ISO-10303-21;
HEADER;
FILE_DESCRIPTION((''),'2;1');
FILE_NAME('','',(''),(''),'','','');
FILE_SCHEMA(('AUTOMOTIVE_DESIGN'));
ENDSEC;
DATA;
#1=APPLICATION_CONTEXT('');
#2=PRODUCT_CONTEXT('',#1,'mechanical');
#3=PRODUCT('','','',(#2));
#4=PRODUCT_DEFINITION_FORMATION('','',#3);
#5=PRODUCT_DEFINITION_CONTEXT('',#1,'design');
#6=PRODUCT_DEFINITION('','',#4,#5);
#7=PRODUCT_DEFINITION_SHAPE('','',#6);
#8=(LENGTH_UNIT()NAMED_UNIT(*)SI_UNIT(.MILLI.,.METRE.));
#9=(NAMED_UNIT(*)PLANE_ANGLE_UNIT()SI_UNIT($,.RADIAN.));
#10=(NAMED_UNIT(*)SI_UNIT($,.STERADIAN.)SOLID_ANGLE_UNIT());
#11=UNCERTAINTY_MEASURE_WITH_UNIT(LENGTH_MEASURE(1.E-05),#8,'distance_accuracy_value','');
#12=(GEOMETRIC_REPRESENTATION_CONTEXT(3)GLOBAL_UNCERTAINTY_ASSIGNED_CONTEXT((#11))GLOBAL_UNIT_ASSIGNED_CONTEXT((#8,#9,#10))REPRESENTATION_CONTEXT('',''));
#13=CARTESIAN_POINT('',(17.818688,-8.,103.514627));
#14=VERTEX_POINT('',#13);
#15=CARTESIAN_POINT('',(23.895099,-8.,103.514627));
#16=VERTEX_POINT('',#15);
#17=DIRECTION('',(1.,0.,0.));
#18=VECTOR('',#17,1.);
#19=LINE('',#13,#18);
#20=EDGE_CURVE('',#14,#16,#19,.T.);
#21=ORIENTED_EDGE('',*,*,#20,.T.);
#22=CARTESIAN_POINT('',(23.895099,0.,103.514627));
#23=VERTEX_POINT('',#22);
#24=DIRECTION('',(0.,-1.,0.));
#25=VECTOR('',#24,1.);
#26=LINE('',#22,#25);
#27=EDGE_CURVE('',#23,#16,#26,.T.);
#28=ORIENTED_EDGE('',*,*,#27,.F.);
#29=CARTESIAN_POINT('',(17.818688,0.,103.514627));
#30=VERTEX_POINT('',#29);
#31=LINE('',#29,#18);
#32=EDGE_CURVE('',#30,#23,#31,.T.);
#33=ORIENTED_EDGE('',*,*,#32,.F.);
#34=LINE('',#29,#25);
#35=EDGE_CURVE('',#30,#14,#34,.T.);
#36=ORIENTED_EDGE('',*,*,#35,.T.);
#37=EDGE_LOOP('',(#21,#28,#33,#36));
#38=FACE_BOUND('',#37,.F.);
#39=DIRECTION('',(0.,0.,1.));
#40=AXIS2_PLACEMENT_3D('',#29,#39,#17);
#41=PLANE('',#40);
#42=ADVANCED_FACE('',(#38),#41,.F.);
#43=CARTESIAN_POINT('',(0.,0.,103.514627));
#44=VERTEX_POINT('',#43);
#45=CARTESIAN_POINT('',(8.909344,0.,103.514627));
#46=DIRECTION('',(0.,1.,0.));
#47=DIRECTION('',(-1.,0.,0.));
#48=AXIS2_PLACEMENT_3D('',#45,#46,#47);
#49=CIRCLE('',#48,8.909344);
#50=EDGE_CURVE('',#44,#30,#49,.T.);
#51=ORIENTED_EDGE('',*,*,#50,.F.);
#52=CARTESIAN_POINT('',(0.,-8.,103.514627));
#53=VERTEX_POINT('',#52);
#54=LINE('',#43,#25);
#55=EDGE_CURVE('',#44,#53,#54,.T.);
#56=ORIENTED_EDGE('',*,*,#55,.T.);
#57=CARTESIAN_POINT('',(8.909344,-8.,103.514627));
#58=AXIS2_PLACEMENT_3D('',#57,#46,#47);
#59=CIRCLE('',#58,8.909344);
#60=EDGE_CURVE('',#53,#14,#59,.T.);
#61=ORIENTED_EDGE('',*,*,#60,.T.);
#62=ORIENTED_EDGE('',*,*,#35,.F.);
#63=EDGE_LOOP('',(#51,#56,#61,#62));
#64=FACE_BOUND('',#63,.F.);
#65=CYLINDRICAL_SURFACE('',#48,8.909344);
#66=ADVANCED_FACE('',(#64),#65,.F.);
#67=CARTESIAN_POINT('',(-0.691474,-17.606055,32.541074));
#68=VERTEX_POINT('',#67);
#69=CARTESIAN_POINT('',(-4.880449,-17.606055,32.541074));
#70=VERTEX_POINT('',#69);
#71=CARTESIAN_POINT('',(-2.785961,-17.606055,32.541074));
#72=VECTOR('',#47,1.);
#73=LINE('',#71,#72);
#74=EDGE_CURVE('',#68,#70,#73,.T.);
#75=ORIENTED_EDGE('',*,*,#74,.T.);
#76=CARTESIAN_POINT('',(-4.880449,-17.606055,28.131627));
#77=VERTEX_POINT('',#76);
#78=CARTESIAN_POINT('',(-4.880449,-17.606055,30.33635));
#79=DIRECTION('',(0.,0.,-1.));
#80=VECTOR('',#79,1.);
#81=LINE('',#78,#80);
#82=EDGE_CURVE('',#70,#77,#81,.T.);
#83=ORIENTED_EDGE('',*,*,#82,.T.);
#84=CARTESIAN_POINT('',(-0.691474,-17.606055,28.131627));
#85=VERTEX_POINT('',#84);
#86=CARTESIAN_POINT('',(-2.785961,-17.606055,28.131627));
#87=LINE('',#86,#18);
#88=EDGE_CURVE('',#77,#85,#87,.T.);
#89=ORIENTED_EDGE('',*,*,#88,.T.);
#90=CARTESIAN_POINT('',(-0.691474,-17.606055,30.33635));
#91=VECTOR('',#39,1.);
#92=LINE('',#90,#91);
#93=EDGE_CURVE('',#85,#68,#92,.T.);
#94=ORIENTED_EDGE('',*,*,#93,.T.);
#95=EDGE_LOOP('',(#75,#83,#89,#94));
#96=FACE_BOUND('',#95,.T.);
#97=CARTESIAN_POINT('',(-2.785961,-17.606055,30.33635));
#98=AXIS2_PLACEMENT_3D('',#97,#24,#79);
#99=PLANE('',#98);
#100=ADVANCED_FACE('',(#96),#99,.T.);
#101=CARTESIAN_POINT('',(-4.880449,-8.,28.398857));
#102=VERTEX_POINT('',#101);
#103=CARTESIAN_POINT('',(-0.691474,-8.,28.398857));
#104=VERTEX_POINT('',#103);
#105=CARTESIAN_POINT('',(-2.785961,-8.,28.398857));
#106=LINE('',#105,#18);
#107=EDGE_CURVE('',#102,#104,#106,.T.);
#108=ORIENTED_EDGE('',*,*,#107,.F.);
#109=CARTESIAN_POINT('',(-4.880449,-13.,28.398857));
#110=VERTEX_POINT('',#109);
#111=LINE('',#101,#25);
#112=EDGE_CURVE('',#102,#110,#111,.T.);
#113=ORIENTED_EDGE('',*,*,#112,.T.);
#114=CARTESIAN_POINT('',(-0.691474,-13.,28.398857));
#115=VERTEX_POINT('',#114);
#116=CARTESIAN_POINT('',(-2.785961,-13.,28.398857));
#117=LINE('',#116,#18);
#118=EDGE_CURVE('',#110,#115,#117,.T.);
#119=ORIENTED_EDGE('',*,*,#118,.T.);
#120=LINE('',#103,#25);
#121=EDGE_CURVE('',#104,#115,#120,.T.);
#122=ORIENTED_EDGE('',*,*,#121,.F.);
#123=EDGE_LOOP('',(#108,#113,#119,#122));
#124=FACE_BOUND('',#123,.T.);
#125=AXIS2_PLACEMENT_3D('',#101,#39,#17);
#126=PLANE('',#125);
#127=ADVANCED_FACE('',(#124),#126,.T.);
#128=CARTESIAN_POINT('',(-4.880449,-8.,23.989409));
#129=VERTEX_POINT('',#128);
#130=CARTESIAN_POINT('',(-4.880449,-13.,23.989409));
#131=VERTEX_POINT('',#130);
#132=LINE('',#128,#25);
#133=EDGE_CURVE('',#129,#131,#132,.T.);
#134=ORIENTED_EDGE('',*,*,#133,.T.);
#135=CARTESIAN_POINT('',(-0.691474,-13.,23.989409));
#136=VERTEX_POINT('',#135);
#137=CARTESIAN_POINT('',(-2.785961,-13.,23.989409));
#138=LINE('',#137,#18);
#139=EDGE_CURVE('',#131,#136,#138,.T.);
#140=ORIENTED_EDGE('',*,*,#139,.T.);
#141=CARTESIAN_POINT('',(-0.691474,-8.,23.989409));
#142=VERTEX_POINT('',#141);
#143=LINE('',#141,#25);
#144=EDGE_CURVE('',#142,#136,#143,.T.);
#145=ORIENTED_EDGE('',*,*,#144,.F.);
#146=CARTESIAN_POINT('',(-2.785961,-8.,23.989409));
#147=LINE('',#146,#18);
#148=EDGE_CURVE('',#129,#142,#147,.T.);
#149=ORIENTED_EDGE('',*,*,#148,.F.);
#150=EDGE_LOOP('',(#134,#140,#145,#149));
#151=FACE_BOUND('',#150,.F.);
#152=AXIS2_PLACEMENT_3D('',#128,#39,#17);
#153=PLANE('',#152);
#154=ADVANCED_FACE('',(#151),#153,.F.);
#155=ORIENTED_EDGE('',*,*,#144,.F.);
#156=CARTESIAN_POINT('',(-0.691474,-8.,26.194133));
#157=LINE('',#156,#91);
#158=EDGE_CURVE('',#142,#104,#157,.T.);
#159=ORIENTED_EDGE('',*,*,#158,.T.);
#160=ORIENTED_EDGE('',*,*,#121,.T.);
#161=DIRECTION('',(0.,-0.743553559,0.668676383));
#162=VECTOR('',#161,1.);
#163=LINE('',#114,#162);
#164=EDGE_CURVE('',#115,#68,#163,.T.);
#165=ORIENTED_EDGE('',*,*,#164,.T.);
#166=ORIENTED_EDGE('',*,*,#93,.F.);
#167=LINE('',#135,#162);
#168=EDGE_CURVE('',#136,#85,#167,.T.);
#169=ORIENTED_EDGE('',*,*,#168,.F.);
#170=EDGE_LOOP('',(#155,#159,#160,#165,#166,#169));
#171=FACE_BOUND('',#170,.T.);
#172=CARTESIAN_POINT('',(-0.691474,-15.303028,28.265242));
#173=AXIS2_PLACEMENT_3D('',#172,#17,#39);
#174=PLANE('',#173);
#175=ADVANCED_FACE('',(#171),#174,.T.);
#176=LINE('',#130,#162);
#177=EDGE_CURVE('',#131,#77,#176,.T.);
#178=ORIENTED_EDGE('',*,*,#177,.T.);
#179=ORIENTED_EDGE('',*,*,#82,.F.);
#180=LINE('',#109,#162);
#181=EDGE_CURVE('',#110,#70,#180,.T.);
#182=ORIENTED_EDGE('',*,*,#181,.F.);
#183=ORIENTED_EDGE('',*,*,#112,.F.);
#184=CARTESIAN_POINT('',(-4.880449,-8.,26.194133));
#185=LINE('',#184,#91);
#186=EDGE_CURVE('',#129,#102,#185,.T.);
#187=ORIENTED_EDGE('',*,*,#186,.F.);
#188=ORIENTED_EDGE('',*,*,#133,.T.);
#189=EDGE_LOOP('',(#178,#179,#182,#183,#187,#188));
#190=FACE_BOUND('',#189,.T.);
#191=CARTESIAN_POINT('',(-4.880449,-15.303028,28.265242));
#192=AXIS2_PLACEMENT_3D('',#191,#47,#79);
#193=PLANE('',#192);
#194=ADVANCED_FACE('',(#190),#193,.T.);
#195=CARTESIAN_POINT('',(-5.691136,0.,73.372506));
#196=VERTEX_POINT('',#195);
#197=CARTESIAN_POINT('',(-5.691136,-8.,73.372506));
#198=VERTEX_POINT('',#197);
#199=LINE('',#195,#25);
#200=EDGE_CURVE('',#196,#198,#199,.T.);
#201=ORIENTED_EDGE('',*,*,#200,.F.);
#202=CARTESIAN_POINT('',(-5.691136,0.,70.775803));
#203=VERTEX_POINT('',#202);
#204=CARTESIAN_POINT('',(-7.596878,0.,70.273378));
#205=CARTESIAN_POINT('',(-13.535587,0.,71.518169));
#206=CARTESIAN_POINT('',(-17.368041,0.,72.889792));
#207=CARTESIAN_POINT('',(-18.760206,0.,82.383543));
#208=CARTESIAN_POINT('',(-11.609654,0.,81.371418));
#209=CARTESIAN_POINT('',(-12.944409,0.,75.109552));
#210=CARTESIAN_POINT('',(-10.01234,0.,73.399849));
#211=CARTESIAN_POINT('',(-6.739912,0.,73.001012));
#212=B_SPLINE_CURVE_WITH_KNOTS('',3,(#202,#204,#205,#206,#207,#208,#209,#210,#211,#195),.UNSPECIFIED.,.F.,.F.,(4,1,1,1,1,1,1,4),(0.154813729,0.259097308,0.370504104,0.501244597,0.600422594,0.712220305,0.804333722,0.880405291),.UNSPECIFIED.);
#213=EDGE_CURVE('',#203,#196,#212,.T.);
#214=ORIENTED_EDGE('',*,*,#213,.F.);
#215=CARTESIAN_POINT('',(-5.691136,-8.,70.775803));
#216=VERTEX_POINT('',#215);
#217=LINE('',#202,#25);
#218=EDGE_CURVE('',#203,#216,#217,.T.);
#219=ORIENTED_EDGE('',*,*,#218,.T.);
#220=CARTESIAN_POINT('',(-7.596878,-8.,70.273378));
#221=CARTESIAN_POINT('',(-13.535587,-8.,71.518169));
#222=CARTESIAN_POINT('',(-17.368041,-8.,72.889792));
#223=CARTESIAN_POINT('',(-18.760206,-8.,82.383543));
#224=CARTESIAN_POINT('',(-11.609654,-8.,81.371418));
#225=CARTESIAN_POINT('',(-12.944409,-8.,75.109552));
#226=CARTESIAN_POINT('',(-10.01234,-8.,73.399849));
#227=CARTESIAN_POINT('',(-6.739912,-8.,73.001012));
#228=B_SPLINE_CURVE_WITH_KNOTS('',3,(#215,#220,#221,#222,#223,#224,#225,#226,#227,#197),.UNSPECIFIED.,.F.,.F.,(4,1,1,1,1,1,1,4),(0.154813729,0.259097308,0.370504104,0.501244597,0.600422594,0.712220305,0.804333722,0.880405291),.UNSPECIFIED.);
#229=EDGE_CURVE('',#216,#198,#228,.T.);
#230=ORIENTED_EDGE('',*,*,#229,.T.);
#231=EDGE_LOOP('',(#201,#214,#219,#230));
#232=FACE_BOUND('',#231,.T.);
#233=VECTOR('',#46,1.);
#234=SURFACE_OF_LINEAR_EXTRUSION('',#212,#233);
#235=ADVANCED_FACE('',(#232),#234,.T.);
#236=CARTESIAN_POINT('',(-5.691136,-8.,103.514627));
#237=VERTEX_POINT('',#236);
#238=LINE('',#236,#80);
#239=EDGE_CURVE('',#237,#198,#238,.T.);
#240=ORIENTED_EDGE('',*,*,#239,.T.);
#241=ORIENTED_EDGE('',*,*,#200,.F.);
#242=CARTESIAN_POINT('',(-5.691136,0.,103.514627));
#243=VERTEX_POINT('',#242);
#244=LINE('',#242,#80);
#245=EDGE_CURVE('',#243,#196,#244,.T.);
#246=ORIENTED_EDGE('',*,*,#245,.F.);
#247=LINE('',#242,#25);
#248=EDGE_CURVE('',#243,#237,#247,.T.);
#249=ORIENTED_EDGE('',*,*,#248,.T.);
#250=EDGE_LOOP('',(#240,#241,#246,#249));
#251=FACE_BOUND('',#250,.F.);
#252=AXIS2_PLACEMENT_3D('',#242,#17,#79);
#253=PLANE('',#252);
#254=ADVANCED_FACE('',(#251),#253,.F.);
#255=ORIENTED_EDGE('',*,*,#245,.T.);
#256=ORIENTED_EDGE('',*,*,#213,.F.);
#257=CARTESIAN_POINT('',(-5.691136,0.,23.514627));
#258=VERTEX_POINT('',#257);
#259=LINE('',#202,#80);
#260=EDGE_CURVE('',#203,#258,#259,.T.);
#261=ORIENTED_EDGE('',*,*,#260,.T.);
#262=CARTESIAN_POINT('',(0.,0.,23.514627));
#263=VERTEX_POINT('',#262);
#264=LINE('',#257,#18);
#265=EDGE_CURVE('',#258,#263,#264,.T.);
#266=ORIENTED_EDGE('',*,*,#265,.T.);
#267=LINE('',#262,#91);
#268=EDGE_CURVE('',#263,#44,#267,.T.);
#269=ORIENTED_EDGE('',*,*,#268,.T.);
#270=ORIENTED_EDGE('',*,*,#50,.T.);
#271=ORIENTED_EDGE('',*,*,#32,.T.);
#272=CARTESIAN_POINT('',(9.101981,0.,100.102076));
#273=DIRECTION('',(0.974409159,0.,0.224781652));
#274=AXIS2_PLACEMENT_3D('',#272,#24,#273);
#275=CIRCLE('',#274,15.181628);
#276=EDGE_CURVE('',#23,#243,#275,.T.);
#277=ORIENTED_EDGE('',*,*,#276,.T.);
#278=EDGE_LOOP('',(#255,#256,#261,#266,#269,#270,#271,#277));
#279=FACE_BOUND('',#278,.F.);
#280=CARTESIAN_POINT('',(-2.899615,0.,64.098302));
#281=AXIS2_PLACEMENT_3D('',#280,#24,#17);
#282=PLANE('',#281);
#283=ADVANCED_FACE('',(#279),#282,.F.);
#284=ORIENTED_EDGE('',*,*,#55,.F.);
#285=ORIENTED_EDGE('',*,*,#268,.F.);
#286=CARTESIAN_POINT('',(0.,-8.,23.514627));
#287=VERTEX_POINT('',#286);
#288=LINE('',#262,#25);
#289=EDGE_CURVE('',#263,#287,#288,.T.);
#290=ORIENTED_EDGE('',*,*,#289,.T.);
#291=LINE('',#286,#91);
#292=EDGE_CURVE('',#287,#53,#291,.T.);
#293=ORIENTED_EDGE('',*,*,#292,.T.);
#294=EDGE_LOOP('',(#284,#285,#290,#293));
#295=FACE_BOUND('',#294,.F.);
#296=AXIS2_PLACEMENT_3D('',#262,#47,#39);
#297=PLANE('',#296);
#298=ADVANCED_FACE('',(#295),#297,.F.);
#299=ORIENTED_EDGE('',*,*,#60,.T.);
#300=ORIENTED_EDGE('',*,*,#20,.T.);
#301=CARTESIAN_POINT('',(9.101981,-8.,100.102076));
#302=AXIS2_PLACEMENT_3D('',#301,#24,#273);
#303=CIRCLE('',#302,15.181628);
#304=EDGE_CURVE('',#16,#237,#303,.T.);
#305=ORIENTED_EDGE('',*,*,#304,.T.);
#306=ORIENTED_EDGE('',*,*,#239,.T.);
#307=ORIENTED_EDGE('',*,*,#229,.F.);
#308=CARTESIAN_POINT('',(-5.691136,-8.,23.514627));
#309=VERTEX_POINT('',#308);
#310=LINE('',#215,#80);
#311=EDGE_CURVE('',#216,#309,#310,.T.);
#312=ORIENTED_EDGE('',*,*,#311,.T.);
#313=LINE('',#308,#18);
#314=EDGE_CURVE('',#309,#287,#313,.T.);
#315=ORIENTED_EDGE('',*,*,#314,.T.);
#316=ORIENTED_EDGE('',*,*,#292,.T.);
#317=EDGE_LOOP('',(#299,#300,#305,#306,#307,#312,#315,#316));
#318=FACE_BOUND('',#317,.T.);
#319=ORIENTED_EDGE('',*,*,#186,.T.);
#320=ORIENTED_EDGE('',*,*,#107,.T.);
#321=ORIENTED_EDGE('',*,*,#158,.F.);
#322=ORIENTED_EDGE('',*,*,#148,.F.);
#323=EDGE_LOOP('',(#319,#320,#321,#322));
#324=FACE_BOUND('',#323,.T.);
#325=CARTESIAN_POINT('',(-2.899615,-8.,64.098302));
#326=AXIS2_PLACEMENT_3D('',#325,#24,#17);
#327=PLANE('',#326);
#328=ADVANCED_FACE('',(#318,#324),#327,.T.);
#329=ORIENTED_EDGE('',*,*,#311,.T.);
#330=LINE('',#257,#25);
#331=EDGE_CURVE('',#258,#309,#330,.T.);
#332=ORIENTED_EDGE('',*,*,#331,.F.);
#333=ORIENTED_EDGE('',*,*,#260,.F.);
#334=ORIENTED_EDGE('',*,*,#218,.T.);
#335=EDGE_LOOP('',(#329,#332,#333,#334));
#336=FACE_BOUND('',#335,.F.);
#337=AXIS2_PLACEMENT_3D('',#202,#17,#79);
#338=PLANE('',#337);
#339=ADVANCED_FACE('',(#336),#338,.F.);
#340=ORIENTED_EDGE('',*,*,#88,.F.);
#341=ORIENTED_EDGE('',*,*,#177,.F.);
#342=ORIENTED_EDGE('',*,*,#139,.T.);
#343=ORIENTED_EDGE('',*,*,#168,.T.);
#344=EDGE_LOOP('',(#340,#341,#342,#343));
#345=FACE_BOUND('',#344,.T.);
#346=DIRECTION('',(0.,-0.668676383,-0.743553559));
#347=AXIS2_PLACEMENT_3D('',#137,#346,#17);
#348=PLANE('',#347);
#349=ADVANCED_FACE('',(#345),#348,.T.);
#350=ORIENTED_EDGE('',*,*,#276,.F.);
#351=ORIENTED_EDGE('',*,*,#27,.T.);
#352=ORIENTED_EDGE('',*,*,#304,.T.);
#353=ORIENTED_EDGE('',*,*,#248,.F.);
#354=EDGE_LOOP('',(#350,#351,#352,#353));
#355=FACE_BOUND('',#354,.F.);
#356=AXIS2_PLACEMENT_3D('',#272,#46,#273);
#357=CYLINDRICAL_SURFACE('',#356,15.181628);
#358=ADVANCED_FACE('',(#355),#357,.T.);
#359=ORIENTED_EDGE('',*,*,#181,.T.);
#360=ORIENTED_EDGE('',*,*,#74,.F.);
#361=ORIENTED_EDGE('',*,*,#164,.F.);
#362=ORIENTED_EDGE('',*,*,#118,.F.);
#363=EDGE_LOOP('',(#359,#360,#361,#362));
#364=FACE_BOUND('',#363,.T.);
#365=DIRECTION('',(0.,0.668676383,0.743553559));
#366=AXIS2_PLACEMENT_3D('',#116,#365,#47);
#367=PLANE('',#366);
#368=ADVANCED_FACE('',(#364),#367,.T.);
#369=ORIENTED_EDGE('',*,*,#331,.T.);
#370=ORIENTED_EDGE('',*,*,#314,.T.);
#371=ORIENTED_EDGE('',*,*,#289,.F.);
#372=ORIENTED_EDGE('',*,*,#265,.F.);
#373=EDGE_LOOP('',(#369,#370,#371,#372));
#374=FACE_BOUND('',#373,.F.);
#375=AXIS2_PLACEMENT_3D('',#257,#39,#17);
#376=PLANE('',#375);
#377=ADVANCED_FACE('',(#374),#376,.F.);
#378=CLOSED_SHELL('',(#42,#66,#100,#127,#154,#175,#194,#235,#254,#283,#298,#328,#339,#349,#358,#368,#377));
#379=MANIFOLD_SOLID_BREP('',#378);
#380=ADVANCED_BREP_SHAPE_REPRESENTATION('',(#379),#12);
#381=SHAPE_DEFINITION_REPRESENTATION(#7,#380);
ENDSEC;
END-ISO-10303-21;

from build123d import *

# Parameters (mm, degrees)
F1_DEPTH = 8
F2_W     = 4.1889756103
F2_H     = 4.4094473124
F3_DEPTH = 5
F4_W     = 4.1889756103
F4_H     = 4.4094473124


with BuildPart() as f1:
    # F0 (on Front) → F1 (new body)
    with BuildSketch(Plane.XZ):
        with BuildLine():
            Line((-5.6911362045, 23.5146272514), (0, 23.5146272514))
            Line((0, 23.5146272514), (0, 103.5146272453))
            Line((0, 103.5146272453), (-5.6911362045, 103.5146272453))
            Line((-5.6911362045, 103.5146272453), (-5.6911362045, 73.3725061468))
            add(Edge.make_bspline(
                [(-5.6911362045, 73.3725061468), (-5.2400369665, 73.532293034), (-3.8829160463, 74.4895237189), (-4.3792185764, 77.2608984218), (-4.2464360595, 77.2318616509)],
                knots=[0.880405291, 0.880405291, 0.880405291, 0.880405291, 0.9131251645, 1, 1, 1, 1], degree=3))
            add(Edge.make_bspline(
                [(-4.2464360595, 77.2318616509), (-4.0717315525, 77.1936574141), (-2.6784869928, 72.353679993), (-4.9508164273, 70.9709791342), (-5.6911362045, 70.7758031209)],
                knots=[0, 0, 0, 0, 0.1143028891, 0.154813729, 0.154813729, 0.154813729, 0.154813729], degree=3))
            Line((-5.6911362045, 70.7758031209), (-5.6911362045, 23.5146272514))
        make_face()
        with BuildLine():
            Line((-5.6911362045, 103.5146272453), (0, 103.5146272453))
            ThreePointArc((0, 103.5146272453), (8.9093442206, 112.4239714658), (17.8186884412, 103.5146272453))
            Line((17.8186884412, 103.5146272453), (23.8950991203, 103.5146272453))
            ThreePointArc((23.8950991203, 103.5146272453), (9.1019814579, 115.2837040508), (-5.6911362045, 103.5146272453))
        make_face()
        with BuildLine():
            add(Edge.make_bspline(
                [(-5.6911362045, 70.7758031209), (-7.5968778877, 70.2733782562), (-13.535587282, 71.518168692), (-17.3680406013, 72.8897919436), (-18.7602062493, 82.3835434596), (-11.6096535592, 81.3714184658), (-12.944409148, 75.1095515572), (-10.012339693, 73.3998487887), (-6.7399124807, 73.0010120667), (-5.6911362045, 73.3725061468)],
                knots=[0.154813729, 0.154813729, 0.154813729, 0.154813729, 0.2590973082, 0.3705041035, 0.5012445974, 0.600422594, 0.7122203053, 0.8043337215, 0.880405291, 0.880405291, 0.880405291, 0.880405291], degree=3))
            add(Edge.make_bspline(
                [(-4.2464360595, 77.2318616509), (-4.0717315525, 77.1936574141), (-2.6784869928, 72.353679993), (-4.9508164273, 70.9709791342), (-5.6911362045, 70.7758031209)],
                knots=[0, 0, 0, 0, 0.1143028891, 0.154813729, 0.154813729, 0.154813729, 0.154813729], degree=3))
            add(Edge.make_bspline(
                [(-5.6911362045, 73.3725061468), (-5.2400369665, 73.532293034), (-3.8829160463, 74.4895237189), (-4.3792185764, 77.2608984218), (-4.2464360595, 77.2318616509)],
                knots=[0.880405291, 0.880405291, 0.880405291, 0.880405291, 0.9131251645, 1, 1, 1, 1], degree=3))
        make_face()
    extrude(amount=F1_DEPTH)

    # F2 (on face) → F3 (join)
    with BuildSketch(Plane.XZ.offset(8)):
        with Locations((-2.7859614638, 26.1941328645)):
            Rectangle(F2_W, F2_H)
    extrude(amount=F3_DEPTH)

    # F6: sweep along a path in F5
    with BuildLine(Plane.YZ.offset(-0.6914736587)) as f6_path:
        Line((-13, 28.3988565207), (-17.606055364, 32.5410738587))
    # F4 (on face) → F6 (sweep)
    with BuildSketch(Plane.XZ.offset(13)):
        with Locations((-2.7859614638, 26.1941328645)):
            Rectangle(F4_W, F4_H)
    sweep(path=f6_path.line)


solid = f1.part
